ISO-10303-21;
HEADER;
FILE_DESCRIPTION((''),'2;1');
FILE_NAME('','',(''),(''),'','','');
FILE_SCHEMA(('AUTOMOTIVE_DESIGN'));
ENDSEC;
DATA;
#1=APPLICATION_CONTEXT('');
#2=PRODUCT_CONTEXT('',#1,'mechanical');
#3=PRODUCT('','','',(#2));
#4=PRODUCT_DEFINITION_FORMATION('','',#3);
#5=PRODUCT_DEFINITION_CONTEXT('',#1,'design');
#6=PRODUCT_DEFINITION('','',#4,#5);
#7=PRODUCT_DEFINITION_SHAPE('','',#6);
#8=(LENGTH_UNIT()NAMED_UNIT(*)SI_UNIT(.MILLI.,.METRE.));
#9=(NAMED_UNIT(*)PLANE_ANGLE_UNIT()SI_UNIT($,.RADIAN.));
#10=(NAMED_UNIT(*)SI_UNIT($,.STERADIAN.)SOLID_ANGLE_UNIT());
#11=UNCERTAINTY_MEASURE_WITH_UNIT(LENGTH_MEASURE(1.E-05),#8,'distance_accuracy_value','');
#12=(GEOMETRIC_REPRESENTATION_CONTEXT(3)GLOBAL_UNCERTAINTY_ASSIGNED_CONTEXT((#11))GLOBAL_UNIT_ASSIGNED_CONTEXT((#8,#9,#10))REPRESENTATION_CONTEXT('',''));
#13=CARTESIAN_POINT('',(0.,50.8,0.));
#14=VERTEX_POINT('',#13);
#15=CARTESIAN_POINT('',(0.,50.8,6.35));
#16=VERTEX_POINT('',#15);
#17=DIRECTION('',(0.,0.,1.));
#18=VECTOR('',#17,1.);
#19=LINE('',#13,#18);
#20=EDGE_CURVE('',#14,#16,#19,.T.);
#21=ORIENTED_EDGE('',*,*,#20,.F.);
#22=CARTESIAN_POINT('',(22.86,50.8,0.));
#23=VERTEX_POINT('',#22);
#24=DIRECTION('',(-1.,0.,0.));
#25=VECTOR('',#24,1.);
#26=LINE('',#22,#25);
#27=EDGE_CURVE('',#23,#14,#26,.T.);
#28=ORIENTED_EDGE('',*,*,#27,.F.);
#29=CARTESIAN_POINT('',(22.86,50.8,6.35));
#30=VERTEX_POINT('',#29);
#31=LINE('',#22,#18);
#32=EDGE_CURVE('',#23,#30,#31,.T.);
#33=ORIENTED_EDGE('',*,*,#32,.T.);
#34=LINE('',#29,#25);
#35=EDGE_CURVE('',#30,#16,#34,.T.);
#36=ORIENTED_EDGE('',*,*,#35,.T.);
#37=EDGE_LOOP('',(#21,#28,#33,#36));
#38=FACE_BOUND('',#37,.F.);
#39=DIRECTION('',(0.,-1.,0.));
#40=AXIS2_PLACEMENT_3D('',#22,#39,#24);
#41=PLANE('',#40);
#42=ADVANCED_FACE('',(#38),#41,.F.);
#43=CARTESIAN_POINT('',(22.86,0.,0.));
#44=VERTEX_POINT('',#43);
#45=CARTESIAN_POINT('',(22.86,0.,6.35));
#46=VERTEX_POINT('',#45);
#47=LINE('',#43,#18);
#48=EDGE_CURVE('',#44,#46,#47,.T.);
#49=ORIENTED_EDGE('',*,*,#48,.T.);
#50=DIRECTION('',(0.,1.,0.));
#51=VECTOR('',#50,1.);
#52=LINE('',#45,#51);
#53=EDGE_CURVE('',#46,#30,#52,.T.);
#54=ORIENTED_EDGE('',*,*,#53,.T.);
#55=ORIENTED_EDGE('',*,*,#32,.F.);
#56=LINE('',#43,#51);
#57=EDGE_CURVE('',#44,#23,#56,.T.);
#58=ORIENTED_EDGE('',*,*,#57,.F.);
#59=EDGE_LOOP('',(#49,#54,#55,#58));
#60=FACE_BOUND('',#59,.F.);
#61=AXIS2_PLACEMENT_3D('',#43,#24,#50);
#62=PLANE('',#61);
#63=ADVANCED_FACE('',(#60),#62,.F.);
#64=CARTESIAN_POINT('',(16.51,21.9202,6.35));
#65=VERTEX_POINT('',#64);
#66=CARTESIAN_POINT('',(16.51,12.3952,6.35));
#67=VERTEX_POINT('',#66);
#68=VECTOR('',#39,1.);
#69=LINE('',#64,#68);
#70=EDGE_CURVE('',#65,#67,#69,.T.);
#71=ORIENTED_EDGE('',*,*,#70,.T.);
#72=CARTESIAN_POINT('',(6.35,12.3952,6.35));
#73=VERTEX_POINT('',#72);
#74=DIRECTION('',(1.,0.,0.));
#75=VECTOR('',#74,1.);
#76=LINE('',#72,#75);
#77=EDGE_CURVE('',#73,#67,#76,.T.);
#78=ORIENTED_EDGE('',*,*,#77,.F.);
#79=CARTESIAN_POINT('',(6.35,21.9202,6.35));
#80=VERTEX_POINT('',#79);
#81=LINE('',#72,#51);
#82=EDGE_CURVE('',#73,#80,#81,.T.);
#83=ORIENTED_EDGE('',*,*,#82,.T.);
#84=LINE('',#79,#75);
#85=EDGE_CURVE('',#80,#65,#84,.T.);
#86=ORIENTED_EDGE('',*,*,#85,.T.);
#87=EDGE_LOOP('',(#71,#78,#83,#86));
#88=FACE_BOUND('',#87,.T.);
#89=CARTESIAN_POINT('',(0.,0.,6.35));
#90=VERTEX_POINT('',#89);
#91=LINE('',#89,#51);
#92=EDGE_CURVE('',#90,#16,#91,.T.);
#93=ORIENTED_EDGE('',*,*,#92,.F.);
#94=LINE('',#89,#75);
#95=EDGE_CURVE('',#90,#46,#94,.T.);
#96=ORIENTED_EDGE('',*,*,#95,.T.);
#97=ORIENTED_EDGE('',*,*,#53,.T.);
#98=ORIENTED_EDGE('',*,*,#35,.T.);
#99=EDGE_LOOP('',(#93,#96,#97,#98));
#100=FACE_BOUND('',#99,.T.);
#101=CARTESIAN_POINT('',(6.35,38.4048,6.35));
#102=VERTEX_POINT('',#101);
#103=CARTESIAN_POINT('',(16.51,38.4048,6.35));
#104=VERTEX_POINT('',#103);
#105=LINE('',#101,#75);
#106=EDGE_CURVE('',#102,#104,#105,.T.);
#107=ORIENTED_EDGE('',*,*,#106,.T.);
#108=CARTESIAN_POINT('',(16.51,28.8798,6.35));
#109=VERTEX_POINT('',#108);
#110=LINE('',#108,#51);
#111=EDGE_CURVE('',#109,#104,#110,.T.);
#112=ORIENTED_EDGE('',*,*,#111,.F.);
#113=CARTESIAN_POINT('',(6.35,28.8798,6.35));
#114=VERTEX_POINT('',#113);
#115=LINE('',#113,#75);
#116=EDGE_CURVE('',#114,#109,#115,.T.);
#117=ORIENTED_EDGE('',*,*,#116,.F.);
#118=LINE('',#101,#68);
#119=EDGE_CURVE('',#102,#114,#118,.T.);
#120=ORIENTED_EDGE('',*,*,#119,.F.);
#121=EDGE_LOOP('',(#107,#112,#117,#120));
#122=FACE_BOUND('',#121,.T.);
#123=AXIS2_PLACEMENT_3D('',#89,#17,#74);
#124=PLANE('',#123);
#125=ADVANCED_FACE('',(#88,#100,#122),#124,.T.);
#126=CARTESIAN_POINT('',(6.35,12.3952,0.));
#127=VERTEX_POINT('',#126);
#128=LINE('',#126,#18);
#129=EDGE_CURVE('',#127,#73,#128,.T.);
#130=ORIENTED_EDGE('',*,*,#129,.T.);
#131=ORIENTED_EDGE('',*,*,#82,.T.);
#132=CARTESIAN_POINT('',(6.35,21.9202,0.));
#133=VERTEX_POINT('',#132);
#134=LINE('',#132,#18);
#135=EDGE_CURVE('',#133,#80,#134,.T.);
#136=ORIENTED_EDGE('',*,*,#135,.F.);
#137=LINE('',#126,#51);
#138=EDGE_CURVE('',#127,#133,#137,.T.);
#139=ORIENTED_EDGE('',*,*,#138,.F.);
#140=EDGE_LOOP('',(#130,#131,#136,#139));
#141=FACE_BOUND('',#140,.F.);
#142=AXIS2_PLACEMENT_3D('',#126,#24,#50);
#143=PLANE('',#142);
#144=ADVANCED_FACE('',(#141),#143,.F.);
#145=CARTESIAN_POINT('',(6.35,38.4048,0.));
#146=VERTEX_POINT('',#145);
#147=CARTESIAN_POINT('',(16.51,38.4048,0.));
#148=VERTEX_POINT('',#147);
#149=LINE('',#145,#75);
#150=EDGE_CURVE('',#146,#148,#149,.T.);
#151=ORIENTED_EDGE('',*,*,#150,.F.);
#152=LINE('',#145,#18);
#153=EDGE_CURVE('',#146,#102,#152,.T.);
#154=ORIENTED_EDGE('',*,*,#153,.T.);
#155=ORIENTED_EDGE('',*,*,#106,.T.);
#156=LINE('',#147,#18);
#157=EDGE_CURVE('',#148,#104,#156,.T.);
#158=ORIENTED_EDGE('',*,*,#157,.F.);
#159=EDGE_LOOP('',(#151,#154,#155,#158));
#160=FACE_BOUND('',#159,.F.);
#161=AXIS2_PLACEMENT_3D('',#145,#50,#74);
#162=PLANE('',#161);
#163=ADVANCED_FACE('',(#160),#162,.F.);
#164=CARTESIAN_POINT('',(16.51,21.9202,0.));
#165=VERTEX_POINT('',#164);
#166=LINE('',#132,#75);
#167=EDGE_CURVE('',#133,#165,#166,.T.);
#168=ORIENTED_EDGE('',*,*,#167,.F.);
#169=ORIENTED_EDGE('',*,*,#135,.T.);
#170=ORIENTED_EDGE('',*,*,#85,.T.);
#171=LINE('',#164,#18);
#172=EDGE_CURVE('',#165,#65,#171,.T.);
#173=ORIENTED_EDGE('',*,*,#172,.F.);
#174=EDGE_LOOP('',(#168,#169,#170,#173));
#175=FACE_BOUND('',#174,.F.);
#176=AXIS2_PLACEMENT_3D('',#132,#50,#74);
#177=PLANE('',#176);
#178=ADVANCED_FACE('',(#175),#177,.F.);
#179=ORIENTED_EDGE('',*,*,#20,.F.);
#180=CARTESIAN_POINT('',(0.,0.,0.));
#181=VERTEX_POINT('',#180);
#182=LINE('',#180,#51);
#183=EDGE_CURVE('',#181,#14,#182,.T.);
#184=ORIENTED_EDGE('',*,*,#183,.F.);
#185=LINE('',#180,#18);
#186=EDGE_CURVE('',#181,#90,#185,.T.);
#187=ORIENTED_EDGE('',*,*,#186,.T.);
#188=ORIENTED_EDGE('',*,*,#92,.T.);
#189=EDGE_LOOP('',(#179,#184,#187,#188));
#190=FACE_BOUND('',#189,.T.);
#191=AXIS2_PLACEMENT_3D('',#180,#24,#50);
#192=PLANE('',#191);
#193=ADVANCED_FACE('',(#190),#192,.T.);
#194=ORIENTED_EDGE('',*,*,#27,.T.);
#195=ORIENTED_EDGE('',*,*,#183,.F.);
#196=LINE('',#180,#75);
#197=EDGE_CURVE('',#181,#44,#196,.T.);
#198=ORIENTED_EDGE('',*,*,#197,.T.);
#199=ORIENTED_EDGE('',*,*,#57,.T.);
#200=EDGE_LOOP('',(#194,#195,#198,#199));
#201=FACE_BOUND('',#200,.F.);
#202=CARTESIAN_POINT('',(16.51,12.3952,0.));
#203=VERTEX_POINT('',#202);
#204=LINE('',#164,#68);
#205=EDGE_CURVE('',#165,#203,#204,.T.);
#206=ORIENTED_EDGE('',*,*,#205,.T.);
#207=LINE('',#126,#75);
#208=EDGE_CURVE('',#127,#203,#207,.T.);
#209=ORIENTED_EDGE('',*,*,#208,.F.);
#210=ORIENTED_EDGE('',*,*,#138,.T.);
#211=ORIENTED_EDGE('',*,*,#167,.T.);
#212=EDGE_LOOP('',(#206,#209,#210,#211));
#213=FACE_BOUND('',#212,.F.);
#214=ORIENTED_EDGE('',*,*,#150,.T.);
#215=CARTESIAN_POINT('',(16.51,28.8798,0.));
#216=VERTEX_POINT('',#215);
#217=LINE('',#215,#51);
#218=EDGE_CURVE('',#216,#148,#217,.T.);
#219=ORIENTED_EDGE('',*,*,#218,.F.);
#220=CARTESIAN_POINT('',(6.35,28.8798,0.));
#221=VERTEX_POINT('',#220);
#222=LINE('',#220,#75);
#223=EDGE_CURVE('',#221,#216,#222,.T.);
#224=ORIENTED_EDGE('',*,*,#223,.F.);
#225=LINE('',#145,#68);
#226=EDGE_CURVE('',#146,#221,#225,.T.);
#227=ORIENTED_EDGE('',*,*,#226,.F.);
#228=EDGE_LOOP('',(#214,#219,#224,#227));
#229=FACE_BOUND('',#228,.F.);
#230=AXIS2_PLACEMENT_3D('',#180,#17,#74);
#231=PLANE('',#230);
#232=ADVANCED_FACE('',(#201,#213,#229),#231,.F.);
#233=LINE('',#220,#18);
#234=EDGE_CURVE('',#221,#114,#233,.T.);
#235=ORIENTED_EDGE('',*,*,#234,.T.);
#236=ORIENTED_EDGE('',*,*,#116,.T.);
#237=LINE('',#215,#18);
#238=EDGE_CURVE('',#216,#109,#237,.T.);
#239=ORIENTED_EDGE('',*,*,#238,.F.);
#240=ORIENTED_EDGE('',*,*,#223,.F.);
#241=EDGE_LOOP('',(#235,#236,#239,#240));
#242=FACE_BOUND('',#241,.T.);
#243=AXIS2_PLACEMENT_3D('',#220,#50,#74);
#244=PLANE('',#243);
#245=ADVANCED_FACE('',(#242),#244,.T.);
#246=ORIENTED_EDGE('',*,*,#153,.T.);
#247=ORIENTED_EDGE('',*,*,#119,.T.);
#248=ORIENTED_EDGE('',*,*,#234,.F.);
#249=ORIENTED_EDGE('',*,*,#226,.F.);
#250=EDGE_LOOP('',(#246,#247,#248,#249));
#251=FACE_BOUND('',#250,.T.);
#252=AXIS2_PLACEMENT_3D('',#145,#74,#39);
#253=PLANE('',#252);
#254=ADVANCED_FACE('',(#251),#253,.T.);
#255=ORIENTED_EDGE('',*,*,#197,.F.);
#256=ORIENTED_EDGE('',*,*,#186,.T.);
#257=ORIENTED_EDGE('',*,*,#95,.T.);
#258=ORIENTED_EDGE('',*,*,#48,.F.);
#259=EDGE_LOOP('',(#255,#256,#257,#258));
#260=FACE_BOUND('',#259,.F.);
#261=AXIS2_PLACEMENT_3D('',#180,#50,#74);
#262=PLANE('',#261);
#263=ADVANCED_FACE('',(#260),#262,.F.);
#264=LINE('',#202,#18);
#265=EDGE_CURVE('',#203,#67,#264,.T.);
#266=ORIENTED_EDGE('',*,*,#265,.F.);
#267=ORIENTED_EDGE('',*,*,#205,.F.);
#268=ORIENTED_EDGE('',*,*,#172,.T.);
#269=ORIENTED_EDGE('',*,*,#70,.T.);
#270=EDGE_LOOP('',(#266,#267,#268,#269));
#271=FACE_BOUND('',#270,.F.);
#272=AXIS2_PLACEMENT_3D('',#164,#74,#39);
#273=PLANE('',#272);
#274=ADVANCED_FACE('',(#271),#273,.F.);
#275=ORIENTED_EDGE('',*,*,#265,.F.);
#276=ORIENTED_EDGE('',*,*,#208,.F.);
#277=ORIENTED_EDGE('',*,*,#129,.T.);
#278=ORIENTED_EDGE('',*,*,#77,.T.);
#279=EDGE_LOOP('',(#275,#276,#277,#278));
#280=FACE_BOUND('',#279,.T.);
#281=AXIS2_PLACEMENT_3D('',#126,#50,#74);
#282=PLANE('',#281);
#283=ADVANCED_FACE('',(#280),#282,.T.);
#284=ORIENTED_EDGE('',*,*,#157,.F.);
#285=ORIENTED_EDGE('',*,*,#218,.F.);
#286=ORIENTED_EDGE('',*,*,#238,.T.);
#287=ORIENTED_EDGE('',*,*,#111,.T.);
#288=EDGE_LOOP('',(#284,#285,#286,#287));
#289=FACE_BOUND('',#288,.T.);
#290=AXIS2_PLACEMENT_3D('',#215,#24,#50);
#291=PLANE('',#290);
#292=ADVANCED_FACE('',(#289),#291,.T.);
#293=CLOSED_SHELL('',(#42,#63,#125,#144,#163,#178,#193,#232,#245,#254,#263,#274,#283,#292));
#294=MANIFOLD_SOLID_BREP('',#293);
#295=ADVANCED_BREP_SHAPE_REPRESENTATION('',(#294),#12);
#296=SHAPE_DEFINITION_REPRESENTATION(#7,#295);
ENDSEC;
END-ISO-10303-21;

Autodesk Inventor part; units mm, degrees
ref_plane "YZ Plane" through (0, 0, 0) normal (1, 0, 0) x (0, 1, 0)
ref_plane "XZ Plane" through (0, 0, 0) normal (0, 1, 0) x (-1, 0, 0)
ref_plane "XY Plane" through (0, 0, 0) normal (0, 0, 1) x (1, 0, 0)
sketch "Sketch1" plane through (0, 0, 0) normal (0, 0, 1) x (1, 0, 0)
  line L0 (0, 0) -> (0, 50.8)
  line L1 (0, 0) -> (22.86, 0)
  line L2 (22.86, 0) -> (22.86, 50.8)
  line L3 (22.86, 50.8) -> (0, 50.8)
  line L4 (6.35, 38.4048) -> (16.51, 38.4048)
  line L5 (6.35, 38.4048) -> (6.35, 28.8798)
  line L6 (6.35, 28.8798) -> (16.51, 28.8798)
  line L7 (16.51, 28.8798) -> (16.51, 38.4048)
  line L8 (0, 25.4) -> (22.86, 25.4) construction
  line L9 (6.35, 12.3952) -> (16.51, 12.3952)
  line L10 (6.35, 12.3952) -> (6.35, 21.9202)
  line L11 (6.35, 21.9202) -> (16.51, 21.9202)
  line L12 (16.51, 21.9202) -> (16.51, 12.3952)
  dimension "d0" = 50.8
  dimension "d1" = 22.86
  dimension "d2" = 10.16
  dimension "d3" = 12.3952
  dimension "d5" = 9.525
  dimension "d6" = 6.35
extrude "Extrusion1" add sketch "Sketch1" along normal blind 6.35
properties part number "ShortSupportRod"
